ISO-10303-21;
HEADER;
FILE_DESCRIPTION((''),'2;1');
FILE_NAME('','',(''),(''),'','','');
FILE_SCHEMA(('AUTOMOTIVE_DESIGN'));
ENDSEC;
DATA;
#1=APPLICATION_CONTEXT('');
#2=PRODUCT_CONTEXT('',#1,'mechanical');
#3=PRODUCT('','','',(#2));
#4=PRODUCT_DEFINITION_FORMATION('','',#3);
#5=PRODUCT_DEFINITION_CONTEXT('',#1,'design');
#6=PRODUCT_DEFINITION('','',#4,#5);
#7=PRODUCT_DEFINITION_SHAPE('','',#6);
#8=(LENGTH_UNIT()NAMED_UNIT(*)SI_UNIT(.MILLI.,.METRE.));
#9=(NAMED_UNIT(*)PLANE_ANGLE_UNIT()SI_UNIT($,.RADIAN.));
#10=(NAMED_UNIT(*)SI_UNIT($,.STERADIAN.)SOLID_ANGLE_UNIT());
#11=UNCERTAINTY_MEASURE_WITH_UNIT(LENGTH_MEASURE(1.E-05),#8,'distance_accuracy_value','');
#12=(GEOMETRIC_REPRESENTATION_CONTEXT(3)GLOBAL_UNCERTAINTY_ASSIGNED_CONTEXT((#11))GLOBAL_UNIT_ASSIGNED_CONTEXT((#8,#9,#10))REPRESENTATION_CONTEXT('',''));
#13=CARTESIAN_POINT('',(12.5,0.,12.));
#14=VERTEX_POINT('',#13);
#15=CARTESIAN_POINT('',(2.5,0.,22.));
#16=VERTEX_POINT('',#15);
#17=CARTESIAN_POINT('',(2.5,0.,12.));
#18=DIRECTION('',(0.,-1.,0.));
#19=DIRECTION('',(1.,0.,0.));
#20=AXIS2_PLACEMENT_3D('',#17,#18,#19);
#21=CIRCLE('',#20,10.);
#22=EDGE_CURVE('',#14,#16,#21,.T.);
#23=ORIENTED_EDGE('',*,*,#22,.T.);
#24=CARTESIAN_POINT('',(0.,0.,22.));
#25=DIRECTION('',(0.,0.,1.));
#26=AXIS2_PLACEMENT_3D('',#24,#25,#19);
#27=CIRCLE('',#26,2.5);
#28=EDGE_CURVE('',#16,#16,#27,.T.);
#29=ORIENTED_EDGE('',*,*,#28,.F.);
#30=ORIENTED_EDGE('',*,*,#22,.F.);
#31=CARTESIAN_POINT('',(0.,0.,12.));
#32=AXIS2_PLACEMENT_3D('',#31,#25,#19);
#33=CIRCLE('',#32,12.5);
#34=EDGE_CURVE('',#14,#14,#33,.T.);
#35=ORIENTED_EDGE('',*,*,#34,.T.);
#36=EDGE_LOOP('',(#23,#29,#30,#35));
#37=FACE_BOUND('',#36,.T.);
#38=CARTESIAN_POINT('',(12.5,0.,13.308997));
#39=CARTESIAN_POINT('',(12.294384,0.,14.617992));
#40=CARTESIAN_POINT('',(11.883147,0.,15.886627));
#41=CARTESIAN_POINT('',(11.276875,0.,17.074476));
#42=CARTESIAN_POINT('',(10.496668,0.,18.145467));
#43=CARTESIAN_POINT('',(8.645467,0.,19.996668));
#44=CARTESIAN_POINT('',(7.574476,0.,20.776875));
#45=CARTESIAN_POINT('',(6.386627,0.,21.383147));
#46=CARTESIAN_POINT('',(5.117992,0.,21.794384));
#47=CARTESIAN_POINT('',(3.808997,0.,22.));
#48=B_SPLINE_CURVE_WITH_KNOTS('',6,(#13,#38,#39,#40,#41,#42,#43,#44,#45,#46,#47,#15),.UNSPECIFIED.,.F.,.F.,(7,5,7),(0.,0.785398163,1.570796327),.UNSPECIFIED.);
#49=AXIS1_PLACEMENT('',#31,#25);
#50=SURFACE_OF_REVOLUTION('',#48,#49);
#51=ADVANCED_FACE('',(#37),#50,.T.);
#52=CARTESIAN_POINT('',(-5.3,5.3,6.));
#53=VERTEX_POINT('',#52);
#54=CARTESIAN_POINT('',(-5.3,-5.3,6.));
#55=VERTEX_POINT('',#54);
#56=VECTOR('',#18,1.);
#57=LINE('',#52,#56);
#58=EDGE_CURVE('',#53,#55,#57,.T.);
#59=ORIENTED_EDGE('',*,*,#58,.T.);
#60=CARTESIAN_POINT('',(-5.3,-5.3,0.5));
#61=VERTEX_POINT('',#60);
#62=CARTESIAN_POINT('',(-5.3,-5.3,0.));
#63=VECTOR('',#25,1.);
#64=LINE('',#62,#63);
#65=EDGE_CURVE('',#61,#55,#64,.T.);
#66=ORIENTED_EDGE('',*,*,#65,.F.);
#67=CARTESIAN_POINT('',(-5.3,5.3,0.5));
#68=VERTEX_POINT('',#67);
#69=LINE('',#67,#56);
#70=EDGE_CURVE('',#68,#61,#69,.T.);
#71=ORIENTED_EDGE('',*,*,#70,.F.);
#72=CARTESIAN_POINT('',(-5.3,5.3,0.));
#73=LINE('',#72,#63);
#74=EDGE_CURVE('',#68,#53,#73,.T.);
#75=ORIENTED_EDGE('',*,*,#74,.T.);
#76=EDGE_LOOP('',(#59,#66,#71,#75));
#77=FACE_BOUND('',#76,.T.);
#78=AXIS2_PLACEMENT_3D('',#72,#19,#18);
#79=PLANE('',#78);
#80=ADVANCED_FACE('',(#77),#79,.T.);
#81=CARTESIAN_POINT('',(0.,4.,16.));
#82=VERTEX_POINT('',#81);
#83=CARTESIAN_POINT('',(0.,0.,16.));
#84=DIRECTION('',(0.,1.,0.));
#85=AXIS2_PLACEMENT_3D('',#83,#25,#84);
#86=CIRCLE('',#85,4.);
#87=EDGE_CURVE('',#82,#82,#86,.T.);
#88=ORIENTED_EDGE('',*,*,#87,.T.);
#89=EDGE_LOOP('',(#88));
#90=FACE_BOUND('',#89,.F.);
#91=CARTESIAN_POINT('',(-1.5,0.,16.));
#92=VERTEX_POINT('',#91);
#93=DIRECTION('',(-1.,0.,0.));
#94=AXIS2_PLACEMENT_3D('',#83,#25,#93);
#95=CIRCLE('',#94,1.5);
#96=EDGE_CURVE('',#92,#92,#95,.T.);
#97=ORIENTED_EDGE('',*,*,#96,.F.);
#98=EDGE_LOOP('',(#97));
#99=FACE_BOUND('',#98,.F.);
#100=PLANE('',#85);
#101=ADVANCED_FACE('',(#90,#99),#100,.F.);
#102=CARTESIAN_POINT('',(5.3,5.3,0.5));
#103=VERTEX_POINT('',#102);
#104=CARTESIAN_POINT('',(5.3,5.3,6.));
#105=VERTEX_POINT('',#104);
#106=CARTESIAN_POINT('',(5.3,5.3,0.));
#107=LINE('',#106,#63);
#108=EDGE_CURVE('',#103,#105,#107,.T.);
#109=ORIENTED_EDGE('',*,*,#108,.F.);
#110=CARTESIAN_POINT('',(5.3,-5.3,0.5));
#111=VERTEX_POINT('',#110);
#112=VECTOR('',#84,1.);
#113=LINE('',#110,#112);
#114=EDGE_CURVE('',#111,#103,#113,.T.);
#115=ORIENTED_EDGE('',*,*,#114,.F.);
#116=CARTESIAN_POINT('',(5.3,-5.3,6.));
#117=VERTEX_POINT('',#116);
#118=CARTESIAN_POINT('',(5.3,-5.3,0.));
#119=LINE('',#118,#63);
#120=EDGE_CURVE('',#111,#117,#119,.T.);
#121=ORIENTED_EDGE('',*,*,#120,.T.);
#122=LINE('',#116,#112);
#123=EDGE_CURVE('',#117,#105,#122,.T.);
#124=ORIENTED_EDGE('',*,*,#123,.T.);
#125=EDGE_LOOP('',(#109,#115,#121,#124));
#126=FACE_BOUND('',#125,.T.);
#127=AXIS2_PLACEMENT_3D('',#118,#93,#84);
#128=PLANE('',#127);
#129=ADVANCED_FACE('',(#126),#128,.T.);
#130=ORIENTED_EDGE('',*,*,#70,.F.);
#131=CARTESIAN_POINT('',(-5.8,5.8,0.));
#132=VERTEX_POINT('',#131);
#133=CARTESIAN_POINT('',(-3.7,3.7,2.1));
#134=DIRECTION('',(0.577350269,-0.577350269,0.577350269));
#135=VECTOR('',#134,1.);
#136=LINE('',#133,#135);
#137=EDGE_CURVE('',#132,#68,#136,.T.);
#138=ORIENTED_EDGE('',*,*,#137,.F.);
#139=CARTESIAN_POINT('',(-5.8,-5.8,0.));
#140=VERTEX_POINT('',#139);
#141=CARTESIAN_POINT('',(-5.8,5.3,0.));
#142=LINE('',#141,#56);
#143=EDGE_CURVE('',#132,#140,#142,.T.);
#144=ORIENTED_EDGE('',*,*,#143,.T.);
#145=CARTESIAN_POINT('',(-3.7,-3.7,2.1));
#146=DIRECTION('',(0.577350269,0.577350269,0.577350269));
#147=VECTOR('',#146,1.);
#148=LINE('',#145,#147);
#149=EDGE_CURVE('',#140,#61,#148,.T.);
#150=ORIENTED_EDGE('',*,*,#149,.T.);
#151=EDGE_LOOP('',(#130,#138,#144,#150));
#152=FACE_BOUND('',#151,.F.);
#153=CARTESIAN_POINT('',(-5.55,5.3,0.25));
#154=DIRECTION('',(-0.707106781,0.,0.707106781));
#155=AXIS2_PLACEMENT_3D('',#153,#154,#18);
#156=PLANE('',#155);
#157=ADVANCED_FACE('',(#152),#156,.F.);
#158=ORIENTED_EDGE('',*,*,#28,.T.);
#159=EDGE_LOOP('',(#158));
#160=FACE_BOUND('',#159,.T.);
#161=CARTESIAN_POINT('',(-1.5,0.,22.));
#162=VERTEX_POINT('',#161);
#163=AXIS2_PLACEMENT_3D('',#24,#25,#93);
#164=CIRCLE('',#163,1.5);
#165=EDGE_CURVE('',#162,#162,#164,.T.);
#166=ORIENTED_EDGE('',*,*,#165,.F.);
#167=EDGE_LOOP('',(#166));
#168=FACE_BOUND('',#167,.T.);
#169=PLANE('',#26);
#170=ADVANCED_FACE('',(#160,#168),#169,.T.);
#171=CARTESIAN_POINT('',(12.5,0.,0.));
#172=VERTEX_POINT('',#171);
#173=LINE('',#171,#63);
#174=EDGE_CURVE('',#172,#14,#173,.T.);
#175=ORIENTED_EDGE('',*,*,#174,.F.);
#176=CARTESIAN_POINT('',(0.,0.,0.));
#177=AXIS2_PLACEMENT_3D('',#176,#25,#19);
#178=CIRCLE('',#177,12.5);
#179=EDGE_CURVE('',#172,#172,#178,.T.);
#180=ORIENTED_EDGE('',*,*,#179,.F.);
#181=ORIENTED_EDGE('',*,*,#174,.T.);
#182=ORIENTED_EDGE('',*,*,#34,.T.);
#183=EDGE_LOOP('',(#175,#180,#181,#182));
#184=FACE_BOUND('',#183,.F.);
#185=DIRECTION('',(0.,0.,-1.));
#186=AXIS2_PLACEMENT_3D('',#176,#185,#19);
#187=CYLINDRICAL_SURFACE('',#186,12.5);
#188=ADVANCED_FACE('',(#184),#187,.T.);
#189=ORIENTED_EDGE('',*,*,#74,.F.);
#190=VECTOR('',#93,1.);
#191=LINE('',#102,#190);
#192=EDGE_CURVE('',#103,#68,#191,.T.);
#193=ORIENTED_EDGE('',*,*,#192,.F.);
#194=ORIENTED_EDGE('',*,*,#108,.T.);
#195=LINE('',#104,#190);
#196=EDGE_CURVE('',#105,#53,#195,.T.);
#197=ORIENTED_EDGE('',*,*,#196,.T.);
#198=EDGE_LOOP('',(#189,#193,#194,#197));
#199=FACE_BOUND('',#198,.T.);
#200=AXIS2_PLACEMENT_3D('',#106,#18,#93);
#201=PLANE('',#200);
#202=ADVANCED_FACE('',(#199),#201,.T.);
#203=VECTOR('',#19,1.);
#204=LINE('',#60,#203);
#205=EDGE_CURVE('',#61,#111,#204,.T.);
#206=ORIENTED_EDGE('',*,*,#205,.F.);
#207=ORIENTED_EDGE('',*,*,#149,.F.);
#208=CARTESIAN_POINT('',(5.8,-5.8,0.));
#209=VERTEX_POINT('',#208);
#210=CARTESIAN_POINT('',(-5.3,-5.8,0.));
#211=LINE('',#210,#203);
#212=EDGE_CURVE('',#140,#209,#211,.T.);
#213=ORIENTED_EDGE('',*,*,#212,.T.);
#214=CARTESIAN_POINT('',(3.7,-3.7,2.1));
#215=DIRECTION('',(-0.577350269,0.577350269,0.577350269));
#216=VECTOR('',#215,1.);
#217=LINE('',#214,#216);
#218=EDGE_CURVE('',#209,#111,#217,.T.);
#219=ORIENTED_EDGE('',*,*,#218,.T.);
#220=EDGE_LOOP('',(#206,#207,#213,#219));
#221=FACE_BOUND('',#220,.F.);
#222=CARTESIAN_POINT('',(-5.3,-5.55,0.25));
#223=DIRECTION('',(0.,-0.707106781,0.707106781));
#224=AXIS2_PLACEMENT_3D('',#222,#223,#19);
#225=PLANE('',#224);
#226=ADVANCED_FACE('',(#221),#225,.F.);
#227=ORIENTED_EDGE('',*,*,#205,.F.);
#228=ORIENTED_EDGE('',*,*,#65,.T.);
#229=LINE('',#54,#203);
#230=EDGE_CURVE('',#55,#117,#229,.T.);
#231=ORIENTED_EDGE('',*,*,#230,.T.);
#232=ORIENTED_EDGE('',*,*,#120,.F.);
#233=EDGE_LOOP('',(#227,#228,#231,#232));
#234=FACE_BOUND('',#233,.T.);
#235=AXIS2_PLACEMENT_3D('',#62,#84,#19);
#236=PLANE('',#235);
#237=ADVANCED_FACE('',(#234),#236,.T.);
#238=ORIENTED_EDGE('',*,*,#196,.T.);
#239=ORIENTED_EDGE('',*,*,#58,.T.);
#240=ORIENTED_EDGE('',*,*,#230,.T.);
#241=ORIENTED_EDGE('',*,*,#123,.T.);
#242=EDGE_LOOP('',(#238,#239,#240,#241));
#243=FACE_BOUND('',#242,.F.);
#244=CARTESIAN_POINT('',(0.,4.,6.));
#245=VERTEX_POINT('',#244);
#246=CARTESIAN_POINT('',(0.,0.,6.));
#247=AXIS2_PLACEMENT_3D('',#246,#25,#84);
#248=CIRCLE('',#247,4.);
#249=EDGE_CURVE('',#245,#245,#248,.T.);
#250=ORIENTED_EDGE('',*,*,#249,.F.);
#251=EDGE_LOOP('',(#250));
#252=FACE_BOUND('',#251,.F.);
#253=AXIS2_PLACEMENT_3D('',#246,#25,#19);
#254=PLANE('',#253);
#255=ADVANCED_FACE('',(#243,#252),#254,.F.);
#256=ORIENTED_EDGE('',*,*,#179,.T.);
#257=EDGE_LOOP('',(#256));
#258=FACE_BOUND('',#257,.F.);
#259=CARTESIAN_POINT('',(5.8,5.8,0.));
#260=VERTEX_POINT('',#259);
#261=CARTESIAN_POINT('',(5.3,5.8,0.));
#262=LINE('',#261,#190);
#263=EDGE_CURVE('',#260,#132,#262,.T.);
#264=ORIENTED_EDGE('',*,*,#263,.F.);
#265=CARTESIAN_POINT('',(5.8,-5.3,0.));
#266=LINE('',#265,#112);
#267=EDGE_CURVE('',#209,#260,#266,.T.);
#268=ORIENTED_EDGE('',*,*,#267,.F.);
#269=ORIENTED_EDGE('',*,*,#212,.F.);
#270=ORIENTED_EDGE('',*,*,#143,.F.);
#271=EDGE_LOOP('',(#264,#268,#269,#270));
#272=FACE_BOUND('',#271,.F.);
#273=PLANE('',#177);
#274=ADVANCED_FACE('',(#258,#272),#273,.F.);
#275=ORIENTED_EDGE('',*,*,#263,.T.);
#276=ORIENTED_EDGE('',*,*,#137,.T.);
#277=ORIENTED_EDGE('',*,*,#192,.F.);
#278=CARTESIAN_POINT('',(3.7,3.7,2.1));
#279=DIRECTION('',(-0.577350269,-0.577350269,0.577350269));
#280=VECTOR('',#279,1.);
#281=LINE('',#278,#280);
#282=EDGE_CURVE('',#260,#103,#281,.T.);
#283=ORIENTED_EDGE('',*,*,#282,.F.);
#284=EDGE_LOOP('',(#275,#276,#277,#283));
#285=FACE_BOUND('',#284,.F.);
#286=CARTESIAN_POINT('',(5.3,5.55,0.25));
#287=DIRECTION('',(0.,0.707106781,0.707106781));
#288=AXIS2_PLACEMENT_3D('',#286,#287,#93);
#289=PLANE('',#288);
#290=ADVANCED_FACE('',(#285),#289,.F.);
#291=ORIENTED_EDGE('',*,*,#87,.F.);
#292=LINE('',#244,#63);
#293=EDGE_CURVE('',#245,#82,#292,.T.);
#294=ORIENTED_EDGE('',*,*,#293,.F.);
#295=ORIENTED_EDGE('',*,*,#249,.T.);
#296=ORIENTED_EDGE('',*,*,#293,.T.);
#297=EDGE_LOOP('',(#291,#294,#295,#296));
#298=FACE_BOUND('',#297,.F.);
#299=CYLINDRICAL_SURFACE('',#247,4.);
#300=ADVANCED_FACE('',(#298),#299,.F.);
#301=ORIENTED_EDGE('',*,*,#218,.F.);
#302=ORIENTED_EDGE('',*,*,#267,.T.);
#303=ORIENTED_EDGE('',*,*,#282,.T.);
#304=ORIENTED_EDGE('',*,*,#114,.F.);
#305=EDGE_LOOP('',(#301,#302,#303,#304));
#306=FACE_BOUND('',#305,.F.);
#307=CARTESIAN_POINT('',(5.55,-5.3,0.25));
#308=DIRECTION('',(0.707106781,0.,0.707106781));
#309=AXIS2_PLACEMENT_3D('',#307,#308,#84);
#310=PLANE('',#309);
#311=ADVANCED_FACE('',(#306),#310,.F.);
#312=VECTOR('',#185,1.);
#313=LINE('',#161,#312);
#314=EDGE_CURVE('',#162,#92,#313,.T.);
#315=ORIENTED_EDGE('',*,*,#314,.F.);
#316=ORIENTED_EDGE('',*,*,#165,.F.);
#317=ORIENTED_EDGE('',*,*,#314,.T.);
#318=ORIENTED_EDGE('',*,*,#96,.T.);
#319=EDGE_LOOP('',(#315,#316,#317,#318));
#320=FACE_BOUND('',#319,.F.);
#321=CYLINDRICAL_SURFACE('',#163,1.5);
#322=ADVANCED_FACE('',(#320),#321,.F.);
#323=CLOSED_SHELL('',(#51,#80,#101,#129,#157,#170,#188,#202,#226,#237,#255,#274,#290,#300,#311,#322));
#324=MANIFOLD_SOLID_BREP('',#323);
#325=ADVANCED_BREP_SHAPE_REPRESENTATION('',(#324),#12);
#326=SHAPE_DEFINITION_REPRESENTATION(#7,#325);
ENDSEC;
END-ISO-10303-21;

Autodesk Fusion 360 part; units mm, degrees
sketch "Esquisse1" plane through (0, 0, 0) normal (0, 0, 1) x (1, 0, 0)
  circle A0 centre (0, 0) radius 12.5
  line L0 (-5.3, -5.3) -> (5.3, -5.3)
  line L1 (5.3, -5.3) -> (5.3, 5.3)
  line L2 (5.3, 5.3) -> (-5.3, 5.3)
  line L3 (-5.3, 5.3) -> (-5.3, -5.3)
  dimension "d1" = 25
  dimension "d4" = 10.6
  dimension "d5" = 5.3
  dimension "d6" = 5.3
extrude "Extrusion1" add sketch "Esquisse1" along normal blind 22 contours A0 | L0 L1 L2 L3
extrude "Extrusion2" cut sketch "Esquisse1" along normal blind 6 contours L0 L1 L2 L3
sketch "Esquisse2" plane through (0, 0, 22) normal (0, 0, 1) x (-1, 0, 0)
  circle A0 centre (0, 0) radius 12.5
  circle A1 centre (0, 0) radius 1.5
  dimension "d9" = 3
extrude "Extrusion3" cut sketch "Esquisse2" against normal blind 22 contours A1
hole "Perçage2" at (0, 0, 6) direction (0, 0, 1) diameter 8 depth 10 tip angle 180
fillet "Congé1" radius 10 1 edges at (-11.6541, -4.5202, 22)
chamfer "Chanfrein1" distance 0.5 angle 45 4 edges at (-5.3, 0, 0) (0, -5.3, 0) (5.3, 0, 0) (0, 5.3, 0)
equation "d5 = d4 / 2"
equation "d6 = d5"
